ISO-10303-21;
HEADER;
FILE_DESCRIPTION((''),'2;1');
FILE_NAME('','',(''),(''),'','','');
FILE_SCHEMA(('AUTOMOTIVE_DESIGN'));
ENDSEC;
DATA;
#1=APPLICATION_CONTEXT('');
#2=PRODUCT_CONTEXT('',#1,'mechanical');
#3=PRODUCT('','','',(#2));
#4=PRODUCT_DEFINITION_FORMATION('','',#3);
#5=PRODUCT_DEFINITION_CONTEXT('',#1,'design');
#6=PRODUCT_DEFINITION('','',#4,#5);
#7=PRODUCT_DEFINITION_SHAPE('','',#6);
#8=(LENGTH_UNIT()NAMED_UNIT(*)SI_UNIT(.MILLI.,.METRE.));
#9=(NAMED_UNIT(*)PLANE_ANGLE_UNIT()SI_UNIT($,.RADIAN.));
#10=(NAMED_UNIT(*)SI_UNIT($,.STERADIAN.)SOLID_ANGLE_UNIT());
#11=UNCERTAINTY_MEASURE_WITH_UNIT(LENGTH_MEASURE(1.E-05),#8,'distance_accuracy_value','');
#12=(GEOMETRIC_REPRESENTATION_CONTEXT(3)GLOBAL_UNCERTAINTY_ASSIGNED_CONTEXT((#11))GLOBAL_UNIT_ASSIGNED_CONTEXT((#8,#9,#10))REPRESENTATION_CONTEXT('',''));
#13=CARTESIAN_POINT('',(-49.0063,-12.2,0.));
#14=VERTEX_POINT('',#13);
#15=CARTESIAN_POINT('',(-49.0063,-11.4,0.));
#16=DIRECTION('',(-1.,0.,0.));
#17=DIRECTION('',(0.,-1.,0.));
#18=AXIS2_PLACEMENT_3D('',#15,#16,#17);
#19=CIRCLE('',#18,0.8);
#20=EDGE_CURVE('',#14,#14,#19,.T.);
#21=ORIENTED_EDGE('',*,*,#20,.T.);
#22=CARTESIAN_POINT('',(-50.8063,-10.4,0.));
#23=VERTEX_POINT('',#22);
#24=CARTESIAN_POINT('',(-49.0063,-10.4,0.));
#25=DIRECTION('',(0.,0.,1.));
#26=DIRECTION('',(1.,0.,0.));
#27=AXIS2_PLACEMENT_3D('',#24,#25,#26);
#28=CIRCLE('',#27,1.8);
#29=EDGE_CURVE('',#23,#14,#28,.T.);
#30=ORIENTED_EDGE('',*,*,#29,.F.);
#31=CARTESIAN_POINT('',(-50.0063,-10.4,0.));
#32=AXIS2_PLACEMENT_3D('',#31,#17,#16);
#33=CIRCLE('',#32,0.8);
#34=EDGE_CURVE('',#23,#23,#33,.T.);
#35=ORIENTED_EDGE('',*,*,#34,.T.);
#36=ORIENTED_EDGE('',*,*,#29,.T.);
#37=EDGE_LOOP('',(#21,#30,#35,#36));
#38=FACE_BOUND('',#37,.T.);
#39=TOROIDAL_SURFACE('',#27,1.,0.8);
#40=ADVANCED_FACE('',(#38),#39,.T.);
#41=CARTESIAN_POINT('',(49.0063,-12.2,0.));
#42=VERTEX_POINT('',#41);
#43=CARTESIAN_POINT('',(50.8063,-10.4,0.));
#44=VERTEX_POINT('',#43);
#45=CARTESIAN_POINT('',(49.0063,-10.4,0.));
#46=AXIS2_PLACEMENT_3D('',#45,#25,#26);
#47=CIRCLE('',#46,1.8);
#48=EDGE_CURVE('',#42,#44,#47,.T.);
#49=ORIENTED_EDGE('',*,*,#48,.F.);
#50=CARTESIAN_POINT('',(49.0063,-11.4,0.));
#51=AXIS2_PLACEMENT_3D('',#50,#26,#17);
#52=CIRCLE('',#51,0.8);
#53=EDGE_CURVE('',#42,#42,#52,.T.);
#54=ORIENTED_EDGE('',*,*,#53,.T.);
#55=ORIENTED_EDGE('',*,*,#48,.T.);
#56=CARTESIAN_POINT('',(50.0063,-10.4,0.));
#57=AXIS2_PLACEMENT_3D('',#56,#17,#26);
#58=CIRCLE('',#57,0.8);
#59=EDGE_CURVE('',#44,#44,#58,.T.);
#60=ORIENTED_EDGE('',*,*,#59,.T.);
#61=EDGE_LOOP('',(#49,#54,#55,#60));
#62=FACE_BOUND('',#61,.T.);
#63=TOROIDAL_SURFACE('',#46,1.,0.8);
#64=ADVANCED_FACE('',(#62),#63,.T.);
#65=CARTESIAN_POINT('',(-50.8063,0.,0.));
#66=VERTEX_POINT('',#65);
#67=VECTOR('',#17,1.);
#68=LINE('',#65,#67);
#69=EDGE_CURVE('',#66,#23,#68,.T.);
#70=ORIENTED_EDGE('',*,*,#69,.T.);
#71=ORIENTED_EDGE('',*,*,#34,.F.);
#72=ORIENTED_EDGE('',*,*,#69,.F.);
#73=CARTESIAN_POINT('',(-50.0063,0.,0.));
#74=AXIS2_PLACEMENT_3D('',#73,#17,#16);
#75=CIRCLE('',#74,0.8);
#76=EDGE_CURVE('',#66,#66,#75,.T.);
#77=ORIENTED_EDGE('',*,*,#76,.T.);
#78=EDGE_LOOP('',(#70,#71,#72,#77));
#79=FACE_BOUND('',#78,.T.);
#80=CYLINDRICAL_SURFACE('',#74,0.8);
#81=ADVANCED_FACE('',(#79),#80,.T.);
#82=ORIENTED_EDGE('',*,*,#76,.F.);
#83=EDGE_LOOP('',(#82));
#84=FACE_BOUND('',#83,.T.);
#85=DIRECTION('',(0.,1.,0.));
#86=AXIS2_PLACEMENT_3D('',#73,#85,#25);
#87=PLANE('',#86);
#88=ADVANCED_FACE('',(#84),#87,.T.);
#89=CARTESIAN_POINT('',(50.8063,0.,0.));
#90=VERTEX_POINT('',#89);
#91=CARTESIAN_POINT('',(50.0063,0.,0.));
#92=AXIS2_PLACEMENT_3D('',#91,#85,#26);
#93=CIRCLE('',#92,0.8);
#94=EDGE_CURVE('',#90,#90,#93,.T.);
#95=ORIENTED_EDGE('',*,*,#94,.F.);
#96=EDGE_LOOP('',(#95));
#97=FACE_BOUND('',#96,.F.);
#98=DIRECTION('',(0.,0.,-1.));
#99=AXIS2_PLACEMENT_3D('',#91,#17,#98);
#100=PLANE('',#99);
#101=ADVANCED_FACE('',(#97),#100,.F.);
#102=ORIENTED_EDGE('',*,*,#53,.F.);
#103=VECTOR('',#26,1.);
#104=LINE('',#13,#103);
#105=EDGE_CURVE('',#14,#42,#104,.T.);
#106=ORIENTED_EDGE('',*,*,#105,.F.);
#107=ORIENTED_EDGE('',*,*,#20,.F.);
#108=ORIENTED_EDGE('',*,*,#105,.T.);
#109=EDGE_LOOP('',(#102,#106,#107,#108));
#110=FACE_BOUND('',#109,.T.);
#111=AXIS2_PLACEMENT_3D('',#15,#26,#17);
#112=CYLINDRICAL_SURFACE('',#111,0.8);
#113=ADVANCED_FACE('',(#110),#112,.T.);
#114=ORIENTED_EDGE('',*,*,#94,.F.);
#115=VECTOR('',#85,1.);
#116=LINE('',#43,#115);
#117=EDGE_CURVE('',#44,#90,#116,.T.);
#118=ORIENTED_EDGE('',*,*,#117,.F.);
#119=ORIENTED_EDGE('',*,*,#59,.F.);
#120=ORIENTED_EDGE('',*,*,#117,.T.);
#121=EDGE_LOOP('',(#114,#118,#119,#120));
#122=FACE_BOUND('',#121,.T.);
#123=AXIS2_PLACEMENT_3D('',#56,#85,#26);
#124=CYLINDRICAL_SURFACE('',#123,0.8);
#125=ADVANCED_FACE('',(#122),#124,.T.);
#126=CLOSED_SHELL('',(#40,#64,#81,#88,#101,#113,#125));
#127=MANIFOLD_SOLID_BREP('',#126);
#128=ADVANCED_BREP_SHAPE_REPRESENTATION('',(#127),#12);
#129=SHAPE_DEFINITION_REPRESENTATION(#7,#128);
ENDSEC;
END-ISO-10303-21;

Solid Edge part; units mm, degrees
sketch "Sketch1" plane through (0, 0, 0) normal (0, 0, 1) x (1, 0, 0)
  line L0 (50.0063, -10.4) -> (50.0063, 0)
  arc A0 (49.0063, -11.4) -> (50.0063, -10.4) centre (49.0063, -10.4) ccw
  line L1 (-49.0063, -11.4) -> (49.0063, -11.4)
  arc A1 (-50.0063, -10.4) -> (-49.0063, -11.4) centre (-49.0063, -10.4) ccw
  line L2 (-50.0063, 0) -> (-50.0063, -10.4)
  dimension "D1" = 100.0125
  dimension "D2" = 11.4
  dimension "D3" = 11.4
  dimension "D4" = 50.0063
  dimension "D5" = 1
  dimension "D6" = 1
sketch "Sketch2" plane through (0, 0, 0) normal (0, -1, 0) x (1, 0, 0)
  circle A0 centre (50.0063, 0) radius 0.8
  dimension "D1" = 1.6
sweep "Geführte_Ausprägung_1" add profiles "Sketch2" path "Sketch1"
